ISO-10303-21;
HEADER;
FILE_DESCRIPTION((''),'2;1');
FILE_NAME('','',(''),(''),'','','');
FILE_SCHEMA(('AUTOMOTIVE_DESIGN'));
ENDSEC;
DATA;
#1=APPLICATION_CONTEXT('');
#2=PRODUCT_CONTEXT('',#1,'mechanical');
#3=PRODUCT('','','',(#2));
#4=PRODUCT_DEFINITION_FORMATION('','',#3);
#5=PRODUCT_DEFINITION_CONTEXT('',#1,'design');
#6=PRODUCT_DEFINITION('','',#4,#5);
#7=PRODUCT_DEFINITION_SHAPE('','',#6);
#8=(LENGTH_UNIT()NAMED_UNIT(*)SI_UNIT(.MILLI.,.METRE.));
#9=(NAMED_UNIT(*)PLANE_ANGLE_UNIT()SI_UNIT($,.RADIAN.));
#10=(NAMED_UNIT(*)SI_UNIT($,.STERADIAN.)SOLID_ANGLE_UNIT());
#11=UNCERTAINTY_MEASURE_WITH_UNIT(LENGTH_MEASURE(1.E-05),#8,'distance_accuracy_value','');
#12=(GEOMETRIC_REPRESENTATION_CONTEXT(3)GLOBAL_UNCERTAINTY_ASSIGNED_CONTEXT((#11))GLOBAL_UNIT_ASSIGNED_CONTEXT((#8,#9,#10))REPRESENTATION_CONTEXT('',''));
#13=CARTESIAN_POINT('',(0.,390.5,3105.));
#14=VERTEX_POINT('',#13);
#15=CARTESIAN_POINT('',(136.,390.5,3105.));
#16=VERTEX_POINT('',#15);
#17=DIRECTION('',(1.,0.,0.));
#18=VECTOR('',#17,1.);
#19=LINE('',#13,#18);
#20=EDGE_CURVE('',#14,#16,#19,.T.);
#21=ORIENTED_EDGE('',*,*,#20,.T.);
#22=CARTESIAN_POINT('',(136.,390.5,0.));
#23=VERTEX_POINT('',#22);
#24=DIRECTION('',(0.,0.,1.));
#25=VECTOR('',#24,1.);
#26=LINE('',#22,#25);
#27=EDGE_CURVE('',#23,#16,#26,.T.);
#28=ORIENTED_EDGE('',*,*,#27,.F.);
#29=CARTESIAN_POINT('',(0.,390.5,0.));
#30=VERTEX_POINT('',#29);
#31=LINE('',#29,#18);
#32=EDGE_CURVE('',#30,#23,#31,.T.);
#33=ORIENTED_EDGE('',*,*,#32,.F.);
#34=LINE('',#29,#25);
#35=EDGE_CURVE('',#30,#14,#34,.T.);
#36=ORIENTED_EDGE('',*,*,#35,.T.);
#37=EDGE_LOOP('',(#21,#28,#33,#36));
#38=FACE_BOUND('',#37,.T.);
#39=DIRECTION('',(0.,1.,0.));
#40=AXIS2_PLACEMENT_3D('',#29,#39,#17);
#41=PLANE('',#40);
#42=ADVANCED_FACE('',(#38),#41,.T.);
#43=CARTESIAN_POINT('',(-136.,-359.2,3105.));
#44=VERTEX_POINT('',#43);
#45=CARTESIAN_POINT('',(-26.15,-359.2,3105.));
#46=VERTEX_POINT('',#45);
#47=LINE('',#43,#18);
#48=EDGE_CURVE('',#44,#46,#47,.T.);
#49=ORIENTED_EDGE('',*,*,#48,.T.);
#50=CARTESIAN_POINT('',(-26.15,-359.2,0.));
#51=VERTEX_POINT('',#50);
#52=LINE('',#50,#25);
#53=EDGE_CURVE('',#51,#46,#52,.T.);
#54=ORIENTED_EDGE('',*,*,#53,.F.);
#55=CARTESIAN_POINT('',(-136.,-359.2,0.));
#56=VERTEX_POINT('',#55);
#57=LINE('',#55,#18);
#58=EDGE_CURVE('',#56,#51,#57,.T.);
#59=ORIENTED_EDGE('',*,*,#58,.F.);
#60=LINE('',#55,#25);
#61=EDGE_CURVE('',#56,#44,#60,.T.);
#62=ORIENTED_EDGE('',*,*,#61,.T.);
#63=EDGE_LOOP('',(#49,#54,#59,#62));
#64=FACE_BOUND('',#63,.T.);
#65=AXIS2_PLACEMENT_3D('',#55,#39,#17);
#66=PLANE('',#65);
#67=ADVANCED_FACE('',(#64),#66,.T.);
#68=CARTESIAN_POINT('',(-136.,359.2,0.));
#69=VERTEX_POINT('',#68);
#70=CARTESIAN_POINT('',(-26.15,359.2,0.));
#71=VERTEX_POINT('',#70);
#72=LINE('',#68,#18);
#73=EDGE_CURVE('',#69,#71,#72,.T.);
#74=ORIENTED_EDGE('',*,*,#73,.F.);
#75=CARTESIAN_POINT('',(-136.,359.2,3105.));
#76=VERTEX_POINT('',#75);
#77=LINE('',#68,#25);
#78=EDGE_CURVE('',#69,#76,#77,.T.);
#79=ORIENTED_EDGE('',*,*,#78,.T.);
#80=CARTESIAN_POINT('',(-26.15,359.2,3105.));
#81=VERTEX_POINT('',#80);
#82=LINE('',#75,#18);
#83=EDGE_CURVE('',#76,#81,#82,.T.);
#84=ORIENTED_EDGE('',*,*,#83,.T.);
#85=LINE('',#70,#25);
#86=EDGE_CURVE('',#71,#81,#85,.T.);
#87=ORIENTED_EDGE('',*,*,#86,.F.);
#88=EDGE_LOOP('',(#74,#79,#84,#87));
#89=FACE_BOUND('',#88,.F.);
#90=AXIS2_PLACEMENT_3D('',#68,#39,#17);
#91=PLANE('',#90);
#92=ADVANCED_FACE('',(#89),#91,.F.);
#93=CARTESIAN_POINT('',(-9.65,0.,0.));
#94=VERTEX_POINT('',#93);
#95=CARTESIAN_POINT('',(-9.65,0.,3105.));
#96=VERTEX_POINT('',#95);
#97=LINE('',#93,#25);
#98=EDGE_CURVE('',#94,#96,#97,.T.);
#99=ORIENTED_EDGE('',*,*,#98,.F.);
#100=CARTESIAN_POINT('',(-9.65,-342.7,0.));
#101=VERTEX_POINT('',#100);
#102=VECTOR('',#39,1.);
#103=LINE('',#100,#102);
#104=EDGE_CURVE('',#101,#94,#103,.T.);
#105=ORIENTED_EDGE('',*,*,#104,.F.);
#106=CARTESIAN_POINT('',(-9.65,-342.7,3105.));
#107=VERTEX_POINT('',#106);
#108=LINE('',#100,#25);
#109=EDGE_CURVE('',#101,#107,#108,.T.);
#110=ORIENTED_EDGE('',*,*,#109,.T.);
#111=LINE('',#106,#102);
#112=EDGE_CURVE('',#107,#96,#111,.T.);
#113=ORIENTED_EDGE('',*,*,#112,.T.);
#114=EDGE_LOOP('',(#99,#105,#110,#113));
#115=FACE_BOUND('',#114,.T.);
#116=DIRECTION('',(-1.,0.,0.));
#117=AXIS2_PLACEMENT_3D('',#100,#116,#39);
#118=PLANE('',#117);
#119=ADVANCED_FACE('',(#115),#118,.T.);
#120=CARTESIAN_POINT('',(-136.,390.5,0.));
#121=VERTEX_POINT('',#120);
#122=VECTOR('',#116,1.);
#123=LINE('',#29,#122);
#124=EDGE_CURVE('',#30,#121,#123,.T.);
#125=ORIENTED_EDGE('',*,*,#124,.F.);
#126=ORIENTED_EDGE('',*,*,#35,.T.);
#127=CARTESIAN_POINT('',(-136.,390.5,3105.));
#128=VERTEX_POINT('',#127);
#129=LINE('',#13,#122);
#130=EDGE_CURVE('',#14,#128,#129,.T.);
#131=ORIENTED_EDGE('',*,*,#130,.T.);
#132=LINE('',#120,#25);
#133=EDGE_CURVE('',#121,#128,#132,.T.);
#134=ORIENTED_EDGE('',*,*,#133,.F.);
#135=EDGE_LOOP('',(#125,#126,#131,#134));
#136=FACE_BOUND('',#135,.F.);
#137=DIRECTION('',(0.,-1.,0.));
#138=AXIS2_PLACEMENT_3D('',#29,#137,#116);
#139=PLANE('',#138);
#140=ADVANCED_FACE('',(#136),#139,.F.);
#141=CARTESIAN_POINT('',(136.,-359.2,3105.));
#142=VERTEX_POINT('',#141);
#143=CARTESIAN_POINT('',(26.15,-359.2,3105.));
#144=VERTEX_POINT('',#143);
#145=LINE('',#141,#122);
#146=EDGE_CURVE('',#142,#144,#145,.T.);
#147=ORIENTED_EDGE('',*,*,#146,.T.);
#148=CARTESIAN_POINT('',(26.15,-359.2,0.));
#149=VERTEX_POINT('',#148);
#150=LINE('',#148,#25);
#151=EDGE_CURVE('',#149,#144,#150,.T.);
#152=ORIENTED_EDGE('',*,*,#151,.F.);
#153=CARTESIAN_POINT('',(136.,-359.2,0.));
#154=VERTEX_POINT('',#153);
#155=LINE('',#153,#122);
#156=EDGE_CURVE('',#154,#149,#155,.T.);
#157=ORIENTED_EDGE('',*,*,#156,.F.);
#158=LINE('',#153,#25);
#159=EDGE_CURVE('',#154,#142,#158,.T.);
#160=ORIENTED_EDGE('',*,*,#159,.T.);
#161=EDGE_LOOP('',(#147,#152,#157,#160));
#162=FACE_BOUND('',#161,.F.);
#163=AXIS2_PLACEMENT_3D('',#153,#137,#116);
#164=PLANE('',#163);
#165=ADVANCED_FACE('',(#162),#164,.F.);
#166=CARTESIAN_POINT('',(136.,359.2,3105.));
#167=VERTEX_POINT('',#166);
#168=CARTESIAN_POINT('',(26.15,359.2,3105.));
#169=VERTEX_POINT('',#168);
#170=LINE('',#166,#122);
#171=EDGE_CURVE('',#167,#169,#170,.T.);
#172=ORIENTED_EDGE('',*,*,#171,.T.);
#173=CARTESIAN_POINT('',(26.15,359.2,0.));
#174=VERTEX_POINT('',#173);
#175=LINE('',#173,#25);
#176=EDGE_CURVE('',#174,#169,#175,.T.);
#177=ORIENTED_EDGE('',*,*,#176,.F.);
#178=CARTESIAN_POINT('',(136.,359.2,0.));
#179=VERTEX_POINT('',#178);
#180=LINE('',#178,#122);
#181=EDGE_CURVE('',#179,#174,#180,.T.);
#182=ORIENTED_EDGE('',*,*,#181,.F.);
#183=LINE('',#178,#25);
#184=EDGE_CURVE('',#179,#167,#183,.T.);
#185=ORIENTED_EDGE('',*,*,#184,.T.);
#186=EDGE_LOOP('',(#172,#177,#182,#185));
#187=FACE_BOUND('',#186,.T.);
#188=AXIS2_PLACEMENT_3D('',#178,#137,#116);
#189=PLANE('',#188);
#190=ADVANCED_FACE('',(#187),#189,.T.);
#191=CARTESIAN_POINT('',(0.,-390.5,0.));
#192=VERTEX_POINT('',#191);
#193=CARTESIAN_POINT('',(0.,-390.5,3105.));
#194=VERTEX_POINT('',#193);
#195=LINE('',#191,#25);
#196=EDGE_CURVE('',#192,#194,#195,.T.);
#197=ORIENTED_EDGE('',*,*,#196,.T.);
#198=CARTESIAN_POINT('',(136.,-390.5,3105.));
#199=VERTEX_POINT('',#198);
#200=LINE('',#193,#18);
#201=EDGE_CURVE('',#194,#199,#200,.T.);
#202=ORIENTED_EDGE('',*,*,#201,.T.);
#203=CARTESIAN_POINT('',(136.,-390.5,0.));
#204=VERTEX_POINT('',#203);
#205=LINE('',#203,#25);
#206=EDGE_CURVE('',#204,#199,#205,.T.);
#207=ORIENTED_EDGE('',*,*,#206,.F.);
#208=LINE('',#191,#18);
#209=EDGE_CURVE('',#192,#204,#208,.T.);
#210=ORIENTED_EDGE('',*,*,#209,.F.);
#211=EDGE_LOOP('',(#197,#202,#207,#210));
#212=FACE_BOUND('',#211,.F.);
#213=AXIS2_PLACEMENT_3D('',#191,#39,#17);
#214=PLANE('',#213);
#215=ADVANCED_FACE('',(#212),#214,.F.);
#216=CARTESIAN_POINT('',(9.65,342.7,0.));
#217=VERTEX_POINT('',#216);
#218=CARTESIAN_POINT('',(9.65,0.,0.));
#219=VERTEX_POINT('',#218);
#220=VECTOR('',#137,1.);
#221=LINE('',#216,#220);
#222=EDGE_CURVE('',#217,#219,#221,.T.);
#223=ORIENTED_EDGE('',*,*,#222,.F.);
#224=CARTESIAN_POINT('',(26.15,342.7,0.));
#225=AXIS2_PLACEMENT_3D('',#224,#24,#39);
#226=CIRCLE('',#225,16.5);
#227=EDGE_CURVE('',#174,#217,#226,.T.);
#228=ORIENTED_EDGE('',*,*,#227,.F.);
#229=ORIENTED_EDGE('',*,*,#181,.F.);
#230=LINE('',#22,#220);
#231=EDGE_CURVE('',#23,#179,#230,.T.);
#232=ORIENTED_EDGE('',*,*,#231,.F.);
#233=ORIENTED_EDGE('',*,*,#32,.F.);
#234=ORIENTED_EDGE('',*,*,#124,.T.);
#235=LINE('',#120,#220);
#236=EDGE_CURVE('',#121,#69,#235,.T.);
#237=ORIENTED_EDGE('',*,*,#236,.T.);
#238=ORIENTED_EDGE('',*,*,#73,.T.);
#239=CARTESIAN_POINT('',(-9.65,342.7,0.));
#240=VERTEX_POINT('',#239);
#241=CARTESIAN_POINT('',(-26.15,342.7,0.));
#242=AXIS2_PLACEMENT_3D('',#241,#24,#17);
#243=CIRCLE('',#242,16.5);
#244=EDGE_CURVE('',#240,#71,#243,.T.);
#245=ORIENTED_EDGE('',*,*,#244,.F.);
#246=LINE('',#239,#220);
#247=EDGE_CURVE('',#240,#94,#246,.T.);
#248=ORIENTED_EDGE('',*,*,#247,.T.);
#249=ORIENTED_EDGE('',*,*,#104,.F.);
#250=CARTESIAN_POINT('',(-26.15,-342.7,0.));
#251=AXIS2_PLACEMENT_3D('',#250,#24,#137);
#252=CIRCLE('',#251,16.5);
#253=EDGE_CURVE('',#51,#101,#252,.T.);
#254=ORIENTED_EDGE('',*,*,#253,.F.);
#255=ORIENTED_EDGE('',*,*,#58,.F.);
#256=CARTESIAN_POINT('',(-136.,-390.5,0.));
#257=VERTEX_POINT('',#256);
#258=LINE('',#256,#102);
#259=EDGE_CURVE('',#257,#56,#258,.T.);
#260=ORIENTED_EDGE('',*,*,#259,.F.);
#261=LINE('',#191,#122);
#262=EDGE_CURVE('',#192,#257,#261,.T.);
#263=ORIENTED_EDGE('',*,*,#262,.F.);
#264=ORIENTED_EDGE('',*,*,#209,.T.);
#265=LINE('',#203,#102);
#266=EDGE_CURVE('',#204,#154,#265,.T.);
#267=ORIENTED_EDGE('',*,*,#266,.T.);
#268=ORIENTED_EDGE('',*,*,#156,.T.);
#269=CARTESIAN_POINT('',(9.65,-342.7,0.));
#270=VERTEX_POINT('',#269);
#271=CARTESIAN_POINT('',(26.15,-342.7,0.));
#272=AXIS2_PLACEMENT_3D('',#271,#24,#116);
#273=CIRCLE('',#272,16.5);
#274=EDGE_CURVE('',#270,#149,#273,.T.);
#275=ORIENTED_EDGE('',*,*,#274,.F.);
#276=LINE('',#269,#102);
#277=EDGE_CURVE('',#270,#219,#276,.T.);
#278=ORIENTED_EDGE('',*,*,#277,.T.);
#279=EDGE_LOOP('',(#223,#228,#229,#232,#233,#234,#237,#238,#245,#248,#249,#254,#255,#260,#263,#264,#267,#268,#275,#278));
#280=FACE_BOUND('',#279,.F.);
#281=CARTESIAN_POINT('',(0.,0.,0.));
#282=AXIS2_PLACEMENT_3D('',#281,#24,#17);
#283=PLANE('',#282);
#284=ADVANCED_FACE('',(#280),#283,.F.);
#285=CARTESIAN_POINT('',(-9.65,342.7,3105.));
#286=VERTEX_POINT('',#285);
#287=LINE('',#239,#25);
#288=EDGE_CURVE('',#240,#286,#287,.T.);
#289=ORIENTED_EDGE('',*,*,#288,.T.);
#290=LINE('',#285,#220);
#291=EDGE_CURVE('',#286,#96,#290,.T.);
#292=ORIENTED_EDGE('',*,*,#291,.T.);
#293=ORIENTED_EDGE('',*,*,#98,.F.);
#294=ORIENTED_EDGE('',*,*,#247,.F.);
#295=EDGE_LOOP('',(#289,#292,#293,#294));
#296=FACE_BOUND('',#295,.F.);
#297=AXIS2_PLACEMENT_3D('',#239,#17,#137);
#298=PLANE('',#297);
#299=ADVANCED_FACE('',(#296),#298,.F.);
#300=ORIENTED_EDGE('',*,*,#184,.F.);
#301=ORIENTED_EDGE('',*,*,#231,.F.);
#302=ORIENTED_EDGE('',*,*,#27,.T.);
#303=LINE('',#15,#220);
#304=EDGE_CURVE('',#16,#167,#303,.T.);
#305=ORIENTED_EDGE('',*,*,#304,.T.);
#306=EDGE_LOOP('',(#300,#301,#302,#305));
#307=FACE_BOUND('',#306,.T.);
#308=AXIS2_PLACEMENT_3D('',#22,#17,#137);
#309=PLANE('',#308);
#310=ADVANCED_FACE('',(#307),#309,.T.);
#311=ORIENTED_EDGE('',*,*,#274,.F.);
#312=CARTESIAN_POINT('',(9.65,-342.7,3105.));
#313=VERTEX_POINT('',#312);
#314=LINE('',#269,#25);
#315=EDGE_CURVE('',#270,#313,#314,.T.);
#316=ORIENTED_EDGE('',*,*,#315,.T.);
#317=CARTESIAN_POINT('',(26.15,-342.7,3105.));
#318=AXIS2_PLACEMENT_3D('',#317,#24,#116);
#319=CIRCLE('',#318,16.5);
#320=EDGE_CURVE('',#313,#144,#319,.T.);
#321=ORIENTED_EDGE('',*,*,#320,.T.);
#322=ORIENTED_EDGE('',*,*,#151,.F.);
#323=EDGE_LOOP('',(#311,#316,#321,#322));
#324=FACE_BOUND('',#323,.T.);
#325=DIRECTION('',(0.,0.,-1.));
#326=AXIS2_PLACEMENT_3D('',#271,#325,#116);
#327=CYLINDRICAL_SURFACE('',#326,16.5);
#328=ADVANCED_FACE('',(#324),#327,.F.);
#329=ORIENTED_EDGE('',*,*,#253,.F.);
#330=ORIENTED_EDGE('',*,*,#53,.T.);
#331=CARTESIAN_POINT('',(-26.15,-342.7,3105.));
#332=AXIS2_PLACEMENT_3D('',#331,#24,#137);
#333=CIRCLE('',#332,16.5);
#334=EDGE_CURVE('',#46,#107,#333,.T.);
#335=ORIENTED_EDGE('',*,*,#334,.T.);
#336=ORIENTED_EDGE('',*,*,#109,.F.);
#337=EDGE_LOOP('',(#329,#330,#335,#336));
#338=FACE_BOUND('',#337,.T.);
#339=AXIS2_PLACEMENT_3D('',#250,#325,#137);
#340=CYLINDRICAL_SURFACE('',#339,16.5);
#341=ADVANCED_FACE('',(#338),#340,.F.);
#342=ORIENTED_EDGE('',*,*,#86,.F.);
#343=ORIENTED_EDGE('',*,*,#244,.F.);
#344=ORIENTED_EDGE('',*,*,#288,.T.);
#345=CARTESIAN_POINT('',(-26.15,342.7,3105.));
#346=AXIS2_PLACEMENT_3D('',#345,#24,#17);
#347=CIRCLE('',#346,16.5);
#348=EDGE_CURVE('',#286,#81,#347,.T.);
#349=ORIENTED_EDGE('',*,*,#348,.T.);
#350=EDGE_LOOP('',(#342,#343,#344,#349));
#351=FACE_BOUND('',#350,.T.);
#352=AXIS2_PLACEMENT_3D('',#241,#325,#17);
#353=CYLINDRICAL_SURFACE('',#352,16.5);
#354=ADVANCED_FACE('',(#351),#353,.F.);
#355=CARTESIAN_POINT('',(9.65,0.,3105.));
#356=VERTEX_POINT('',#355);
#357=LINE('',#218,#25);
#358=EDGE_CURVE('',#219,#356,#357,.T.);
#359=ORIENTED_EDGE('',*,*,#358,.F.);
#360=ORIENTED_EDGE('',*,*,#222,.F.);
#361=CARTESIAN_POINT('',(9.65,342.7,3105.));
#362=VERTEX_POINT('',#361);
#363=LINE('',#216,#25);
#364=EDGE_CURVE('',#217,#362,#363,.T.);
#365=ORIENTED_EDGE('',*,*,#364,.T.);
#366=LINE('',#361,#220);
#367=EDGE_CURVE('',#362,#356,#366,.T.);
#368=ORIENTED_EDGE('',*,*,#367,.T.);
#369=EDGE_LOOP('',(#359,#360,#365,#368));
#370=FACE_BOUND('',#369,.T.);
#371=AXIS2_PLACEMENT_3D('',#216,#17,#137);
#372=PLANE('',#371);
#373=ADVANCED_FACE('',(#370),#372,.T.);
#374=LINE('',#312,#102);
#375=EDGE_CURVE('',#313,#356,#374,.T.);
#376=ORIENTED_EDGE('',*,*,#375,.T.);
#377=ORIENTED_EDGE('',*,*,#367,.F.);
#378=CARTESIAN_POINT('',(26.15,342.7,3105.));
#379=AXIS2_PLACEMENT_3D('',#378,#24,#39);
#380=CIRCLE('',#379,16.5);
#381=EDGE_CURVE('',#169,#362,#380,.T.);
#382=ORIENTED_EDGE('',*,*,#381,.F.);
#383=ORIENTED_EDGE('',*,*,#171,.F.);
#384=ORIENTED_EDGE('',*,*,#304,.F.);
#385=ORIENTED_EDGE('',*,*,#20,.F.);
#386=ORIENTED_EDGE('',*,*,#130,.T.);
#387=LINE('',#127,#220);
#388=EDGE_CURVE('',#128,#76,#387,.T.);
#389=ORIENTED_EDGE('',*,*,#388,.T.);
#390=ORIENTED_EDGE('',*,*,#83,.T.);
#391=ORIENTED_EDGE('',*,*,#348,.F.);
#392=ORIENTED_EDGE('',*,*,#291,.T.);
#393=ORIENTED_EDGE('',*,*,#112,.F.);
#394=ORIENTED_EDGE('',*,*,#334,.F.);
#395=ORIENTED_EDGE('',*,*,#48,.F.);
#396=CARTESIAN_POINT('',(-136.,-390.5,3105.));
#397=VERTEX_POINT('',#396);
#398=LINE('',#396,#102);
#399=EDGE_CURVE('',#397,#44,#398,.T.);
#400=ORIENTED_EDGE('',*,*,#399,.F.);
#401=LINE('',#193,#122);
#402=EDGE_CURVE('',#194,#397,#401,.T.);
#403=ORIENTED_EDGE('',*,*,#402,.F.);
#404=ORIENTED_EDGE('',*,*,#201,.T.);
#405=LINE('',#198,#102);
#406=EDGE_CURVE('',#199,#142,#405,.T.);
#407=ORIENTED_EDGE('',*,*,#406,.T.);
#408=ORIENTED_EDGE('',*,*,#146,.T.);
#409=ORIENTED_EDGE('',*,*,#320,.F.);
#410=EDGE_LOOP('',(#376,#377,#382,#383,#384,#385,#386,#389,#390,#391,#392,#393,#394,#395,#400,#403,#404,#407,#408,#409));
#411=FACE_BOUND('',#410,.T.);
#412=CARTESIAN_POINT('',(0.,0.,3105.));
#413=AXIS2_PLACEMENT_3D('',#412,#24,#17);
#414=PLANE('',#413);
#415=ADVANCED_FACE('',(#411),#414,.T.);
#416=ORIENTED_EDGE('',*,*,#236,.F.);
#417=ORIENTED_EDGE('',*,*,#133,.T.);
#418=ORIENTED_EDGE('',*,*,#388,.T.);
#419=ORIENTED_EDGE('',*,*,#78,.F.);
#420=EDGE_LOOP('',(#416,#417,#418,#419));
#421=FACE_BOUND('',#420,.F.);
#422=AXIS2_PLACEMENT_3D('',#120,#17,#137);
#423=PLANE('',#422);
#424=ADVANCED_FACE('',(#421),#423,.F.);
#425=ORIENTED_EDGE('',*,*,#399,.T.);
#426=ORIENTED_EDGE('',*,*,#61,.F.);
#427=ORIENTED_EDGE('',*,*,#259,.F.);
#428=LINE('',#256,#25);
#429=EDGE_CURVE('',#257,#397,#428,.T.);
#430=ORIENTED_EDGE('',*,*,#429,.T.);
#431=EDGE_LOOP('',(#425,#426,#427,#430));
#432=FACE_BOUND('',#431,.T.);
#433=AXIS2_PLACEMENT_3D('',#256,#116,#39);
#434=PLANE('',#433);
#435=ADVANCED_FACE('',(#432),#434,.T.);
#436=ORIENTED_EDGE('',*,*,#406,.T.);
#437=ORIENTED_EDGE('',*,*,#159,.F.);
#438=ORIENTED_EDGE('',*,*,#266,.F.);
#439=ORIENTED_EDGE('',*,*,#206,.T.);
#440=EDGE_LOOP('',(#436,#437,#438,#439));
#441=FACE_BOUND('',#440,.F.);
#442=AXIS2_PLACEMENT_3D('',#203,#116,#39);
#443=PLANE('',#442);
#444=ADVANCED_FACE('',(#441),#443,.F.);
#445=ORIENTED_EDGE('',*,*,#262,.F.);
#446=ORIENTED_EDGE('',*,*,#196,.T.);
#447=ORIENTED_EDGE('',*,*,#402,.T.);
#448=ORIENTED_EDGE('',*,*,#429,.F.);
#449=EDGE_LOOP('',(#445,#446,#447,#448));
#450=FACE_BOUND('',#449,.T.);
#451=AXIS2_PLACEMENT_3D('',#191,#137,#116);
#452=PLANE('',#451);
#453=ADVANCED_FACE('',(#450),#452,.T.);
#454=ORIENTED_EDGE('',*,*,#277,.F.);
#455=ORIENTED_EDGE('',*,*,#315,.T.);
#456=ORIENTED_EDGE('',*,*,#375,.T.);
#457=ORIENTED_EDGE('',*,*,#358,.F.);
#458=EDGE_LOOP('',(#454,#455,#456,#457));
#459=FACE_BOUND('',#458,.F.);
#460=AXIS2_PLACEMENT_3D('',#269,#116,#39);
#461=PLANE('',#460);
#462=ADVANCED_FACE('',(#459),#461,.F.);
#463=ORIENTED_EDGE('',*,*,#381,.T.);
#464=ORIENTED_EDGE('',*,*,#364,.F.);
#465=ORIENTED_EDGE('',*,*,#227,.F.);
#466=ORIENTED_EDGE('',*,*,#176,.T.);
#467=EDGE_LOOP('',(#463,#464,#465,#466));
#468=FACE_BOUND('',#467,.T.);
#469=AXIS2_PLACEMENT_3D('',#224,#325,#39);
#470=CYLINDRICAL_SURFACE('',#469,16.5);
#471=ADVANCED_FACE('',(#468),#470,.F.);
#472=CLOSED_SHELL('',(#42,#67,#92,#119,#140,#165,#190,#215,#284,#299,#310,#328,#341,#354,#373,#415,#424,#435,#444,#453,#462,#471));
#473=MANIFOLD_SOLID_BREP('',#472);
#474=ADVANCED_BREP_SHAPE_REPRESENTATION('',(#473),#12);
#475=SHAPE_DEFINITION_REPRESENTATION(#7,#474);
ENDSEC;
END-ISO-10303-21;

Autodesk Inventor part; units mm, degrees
ref_plane "YZ Plane" through (0, 0, 0) normal (1, 0, 0) x (0, 1, 0)
ref_plane "Start plane" through (0, 0, 0) normal (0, 0, 1) x (1, 0, 0)
ref_plane "End plane" through (0, 0, 3105) normal (0, 0, 1) x (1, 0, 0)
sketch "Sketch" plane through (0, 0, 0) normal (0, 0, 1) x (1, 0, 0)
  line L0 (-136, -390.5) -> (-136, -359.2)
  line L1 (-136, -359.2) -> (-26.15, -359.2)
  line L2 (-9.65, -342.7) -> (-9.65, 0)
  line L3 (-9.65, 0) -> (0, 0) construction
  line L4 (0, 0) -> (0, -390.5) construction
  line L5 (0, -390.5) -> (-136, -390.5)
  line L6 (-60, 0) -> (80, 0) construction
  line L7 (0, -60) -> (0, 80) construction
  line L8 (136, -390.5) -> (136, -359.2)
  line L9 (136, -359.2) -> (26.15, -359.2)
  line L10 (9.65, -342.7) -> (9.65, 0)
  line L11 (9.65, 0) -> (0, 0) construction
  line L12 (0, -390.5) -> (136, -390.5)
  line L13 (-136, 390.5) -> (-136, 359.2)
  line L14 (-136, 359.2) -> (-26.15, 359.2)
  line L15 (-9.65, 342.7) -> (-9.65, 0)
  line L16 (0, 390.5) -> (-136, 390.5)
  line L17 (136, 390.5) -> (136, 359.2)
  line L18 (136, 359.2) -> (26.15, 359.2)
  line L19 (0, 390.5) -> (136, 390.5)
  line L20 (9.65, 342.7) -> (9.65, 0)
  arc A0 (-9.65, 342.7) -> (-26.15, 359.2) centre (-26.15, 342.7) ccw
  arc A1 (26.15, 359.2) -> (9.65, 342.7) centre (26.15, 342.7) ccw
  arc A2 (9.65, -342.7) -> (26.15, -359.2) centre (26.15, -342.7) ccw
  arc A3 (-26.15, -359.2) -> (-9.65, -342.7) centre (-26.15, -342.7) ccw
  line L21 (0, 108) -> (0, -88) construction
  line L22 (-88, 0) -> (108, 0) construction
  point P0 (-9.65, -359.2)
  point P1 (9.65, -359.2)
  point P2 (-9.65, 359.2)
  point P3 (9.65, 359.2)
  dimension "d1" = 390.5
  dimension "d2" = 31.3
  dimension "d3" = 136
  dimension "d4" = 9.65
  dimension "d10" = 16.5
extrude "Body" add sketch "Sketch" along normal up to surface (3105 mm away) from surface at 0
sketch "Sketch4" plane through (0, 0, 0) normal (0, 0, 1) x (1, 0, 0)
  line L0 (0, 0) -> (10, 0)
ref_plane "Work Plane3" through (0, 0, 0) normal (0, -1, 0) x (1, 0, 0)
sketch "Sketch5" plane through (0, 0, 0) normal (0, -1, 0) x (1, 0, 0)
  line L0 (-2, 0) -> (12, 0) projected
  line L1 (-2, 3105) -> (12, 3105) projected
  dimension "d14" = 3105
equation "\"d1\" = 0.5 * G_H"
equation "\"d2\" = G_T1"
equation "\"d3\" = 0.5 * G_W"
equation "\"d4\" = 0.5 * G_T"
equation "\"d10\" = G_IR"
equation "\"d5\" = G_L"
equation "\"G_W\" = 272"
equation "\"G_H\" = 781"
equation "\"G_T\" = 19.3"
equation "\"G_T1\" = 31.3"
equation "\"G_IR\" = 16.5"
equation "\"G_L\" = d14"
equation "\"G_OFFSET_START\" = 0"
equation "\"G_OFFSET_END\" = 0"
equation "\"d12\" = G_OFFSET_END + B_L"
equation "\"B_L\" = 3105"
properties part number "AS 3679-1990 - 760 UB - 244 - 3105" material "Steel, Mild"
